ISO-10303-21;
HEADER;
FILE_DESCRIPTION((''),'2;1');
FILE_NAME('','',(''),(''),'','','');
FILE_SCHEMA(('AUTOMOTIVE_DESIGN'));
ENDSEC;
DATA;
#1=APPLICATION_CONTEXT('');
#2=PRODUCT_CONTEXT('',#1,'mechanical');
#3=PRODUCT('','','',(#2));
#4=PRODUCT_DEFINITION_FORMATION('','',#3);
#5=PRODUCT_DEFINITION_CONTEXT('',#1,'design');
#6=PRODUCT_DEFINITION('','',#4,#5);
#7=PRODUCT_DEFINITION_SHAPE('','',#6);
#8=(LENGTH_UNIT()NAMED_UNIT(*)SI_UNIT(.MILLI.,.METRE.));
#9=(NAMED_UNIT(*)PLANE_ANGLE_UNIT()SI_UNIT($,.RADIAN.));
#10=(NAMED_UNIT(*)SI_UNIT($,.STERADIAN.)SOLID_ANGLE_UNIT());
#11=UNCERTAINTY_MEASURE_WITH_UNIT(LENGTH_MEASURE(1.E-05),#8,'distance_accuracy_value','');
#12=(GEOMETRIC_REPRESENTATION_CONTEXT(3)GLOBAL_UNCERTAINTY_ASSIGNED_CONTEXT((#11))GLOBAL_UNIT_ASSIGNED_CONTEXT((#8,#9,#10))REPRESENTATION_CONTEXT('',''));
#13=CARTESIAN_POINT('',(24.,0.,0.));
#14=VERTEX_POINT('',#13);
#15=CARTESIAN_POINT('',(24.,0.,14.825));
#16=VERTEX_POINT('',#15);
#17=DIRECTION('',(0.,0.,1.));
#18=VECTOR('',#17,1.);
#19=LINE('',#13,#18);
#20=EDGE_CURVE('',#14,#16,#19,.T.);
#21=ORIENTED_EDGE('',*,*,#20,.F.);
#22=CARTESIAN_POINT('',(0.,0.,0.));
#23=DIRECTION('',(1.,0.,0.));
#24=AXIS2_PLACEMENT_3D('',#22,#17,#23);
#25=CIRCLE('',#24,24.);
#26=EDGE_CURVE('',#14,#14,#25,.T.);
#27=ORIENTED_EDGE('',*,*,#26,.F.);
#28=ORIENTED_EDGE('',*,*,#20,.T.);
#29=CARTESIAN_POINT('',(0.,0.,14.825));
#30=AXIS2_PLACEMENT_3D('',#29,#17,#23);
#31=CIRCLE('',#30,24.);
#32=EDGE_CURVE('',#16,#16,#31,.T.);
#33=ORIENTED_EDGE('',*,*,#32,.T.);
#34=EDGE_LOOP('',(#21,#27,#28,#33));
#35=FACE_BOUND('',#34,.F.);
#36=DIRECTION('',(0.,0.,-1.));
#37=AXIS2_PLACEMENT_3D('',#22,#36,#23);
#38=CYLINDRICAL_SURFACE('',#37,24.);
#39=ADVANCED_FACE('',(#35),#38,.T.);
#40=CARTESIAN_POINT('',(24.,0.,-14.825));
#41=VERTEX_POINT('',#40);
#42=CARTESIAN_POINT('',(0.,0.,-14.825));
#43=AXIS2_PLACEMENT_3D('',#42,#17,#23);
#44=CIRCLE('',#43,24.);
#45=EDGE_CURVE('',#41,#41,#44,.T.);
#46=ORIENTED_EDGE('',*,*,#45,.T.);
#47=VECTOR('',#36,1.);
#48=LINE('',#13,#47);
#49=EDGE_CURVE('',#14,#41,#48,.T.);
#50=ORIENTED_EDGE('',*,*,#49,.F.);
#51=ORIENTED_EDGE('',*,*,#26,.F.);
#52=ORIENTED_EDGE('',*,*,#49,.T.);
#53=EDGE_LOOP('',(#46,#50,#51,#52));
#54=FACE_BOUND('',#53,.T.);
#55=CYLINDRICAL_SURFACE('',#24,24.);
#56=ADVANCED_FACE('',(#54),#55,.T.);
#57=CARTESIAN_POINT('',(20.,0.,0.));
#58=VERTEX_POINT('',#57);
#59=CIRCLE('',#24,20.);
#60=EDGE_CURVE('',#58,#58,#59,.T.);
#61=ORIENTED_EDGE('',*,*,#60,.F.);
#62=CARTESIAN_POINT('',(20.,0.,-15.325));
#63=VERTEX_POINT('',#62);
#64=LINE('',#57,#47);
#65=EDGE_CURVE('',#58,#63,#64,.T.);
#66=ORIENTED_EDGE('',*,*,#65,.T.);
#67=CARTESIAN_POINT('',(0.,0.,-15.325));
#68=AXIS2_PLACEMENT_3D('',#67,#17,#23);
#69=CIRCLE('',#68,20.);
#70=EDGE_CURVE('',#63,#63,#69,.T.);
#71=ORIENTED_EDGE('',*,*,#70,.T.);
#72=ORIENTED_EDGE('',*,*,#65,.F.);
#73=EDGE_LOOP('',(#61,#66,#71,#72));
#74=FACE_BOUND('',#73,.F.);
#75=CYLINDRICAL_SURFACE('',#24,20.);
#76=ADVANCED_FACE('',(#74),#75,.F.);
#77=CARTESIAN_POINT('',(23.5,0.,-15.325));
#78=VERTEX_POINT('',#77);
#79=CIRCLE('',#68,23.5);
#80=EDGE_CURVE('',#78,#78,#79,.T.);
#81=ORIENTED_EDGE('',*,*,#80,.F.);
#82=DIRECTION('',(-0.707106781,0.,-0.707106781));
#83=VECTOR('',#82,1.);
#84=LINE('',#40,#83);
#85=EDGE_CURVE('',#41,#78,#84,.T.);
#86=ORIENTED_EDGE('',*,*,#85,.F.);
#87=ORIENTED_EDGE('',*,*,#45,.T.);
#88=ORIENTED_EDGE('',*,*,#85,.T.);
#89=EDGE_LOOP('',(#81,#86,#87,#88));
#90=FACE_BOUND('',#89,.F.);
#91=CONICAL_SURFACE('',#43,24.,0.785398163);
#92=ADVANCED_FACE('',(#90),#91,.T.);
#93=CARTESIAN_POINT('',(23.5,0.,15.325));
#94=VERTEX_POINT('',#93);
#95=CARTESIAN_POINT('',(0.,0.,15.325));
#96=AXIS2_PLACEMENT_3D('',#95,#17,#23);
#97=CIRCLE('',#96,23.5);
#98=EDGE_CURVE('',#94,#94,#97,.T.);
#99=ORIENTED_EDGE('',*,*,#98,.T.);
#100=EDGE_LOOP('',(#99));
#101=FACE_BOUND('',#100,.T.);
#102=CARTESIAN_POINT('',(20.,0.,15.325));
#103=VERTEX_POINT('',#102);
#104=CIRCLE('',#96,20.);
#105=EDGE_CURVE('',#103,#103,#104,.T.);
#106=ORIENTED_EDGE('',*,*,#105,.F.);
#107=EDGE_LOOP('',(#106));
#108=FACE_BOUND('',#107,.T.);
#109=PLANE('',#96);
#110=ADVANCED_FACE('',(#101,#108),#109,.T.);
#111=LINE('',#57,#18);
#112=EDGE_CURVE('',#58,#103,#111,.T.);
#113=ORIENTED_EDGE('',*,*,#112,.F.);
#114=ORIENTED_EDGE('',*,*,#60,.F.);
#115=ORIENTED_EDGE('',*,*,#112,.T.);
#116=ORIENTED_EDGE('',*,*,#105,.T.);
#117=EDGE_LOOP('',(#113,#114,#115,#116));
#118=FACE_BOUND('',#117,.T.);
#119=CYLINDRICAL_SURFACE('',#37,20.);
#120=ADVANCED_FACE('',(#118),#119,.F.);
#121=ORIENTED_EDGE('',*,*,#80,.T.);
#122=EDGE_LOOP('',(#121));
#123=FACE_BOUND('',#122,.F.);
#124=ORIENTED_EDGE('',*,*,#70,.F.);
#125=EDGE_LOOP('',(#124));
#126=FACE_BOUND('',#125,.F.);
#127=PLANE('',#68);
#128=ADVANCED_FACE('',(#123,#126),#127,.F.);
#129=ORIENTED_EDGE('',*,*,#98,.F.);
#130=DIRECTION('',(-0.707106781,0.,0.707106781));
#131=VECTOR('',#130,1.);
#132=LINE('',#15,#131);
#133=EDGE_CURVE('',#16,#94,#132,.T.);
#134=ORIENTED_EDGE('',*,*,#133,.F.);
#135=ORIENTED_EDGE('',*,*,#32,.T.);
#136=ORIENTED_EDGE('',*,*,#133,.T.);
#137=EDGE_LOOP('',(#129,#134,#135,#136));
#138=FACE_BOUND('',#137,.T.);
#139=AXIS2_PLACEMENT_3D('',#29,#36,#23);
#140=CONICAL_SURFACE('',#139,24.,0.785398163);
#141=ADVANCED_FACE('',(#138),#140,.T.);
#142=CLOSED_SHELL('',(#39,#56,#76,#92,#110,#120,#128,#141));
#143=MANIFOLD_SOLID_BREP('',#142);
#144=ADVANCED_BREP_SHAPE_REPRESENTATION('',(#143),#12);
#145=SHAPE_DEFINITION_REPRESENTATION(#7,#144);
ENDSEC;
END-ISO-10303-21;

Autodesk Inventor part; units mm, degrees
ref_plane "YZ Plane" through (0, 0, 0) normal (1, 0, 0) x (0, 1, 0)
ref_plane "XZ Plane" through (0, 0, 0) normal (0, 1, 0) x (-1, 0, 0)
ref_plane "XY Plane" through (0, 0, 0) normal (0, 0, 1) x (1, 0, 0)
sketch "Esboço1" plane through (0, 0, 0) normal (0, 0, 1) x (1, 0, 0)
  circle A0 centre (0, 0) radius 20
  circle A1 centre (0, 0) radius 24
  dimension "d0" = 40
  dimension "d1" = 48
extrude "Extrusão1" add sketch "Esboço1" along normal mid plane 30.65
chamfer "Chanfro1" distance 0.5 angle 45 2 edges at (-24, 0, 15.325) (-24, 0, -15.325)
